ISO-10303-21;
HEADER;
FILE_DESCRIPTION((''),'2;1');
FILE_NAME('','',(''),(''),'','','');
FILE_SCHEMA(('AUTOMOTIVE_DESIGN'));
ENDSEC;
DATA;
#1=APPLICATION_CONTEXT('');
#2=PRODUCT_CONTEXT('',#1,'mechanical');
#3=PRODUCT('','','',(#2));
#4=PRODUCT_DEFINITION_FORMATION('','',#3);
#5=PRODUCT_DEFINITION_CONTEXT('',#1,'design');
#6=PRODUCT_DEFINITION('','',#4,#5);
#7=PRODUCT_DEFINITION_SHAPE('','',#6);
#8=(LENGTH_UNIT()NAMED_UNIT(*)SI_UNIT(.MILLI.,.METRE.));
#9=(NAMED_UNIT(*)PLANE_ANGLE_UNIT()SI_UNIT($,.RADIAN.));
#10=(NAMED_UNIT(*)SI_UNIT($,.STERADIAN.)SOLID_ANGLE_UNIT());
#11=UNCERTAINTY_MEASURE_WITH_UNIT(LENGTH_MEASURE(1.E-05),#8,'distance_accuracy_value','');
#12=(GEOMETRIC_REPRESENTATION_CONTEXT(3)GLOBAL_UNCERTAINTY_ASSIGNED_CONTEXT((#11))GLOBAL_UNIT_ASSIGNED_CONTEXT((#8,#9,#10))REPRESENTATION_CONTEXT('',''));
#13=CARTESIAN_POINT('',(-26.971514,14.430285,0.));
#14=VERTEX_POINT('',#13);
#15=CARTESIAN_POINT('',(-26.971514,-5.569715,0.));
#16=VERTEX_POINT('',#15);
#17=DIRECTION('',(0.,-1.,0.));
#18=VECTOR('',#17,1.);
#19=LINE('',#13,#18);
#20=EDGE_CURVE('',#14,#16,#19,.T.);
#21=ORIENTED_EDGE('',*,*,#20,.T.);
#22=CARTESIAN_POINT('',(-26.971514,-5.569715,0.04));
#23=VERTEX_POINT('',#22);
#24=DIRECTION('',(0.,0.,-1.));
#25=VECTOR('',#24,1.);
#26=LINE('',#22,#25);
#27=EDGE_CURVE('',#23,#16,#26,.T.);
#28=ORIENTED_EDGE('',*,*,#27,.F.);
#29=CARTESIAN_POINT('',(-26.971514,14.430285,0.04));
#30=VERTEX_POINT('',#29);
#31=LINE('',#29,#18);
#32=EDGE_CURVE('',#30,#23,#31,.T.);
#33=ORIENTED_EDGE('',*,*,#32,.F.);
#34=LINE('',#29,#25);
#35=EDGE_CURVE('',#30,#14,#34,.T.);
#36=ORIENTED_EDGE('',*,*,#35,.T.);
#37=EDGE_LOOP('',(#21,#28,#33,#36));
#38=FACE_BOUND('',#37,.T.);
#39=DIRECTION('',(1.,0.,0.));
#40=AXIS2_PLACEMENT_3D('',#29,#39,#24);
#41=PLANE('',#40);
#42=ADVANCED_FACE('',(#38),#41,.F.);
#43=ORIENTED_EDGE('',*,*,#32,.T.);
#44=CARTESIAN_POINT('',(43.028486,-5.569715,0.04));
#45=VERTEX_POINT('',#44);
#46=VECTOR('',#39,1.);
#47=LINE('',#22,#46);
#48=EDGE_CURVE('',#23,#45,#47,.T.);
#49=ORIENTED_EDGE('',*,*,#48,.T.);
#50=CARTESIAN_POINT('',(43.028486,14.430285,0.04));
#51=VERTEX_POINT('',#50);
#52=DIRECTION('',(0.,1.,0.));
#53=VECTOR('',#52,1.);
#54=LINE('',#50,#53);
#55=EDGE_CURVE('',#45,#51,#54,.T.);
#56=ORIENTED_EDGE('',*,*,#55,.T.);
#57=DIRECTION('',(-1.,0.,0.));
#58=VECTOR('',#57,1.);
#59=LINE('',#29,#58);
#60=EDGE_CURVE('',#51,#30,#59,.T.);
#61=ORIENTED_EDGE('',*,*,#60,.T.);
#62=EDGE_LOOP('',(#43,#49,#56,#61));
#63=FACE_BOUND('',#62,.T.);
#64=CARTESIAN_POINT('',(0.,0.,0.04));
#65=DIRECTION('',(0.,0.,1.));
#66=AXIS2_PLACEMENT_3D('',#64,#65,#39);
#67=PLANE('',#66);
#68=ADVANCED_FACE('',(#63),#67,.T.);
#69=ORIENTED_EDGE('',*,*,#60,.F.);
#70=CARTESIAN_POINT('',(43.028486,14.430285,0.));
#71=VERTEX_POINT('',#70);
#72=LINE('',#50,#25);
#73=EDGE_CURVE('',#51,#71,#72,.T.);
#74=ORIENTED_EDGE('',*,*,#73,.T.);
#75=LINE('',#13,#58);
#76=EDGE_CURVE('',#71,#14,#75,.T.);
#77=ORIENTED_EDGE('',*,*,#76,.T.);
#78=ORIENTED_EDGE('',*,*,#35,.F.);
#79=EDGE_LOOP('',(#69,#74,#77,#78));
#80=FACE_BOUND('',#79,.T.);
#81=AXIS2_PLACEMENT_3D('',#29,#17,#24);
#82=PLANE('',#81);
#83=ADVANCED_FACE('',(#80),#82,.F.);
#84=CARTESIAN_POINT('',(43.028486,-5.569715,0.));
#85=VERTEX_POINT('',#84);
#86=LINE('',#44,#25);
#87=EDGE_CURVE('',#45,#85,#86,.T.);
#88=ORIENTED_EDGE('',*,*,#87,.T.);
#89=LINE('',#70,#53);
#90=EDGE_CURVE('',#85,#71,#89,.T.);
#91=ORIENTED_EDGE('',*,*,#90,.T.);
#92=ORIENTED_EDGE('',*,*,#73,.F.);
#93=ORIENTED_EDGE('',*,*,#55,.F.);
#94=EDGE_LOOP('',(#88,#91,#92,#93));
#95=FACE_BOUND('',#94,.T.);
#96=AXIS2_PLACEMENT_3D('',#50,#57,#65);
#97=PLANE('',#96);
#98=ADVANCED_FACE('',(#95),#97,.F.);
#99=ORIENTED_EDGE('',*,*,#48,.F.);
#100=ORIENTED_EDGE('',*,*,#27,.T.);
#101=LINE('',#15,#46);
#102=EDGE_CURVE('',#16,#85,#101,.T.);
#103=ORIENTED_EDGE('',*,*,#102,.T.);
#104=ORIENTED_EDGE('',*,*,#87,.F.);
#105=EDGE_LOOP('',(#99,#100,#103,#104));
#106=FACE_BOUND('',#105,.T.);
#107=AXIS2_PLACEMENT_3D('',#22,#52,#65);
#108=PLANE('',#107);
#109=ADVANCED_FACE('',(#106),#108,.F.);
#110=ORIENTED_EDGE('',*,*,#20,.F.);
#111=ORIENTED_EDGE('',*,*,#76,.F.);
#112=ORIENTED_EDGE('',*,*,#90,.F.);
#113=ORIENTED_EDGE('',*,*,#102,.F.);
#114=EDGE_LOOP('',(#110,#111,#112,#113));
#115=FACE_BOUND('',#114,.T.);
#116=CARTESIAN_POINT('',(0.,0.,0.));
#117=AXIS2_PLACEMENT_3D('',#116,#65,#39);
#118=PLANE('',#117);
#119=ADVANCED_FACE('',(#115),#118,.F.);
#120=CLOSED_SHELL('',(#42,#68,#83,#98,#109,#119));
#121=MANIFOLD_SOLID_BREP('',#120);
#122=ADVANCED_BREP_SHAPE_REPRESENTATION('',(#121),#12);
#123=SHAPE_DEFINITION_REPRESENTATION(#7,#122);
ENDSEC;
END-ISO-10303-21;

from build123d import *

# Parameters (mm, degrees)
SKETCH1_W           = 70
SKETCH1_H           = 20
BOSS_EXTRUDE1_DEPTH = 0.04


with BuildPart() as part:
    # Sketch1 → Boss-Extrude1 (new body)
    with BuildSketch(Plane.XY):
        with Locations((8.028485757, 4.430284858)):
            Rectangle(SKETCH1_W, SKETCH1_H)
    extrude(amount=BOSS_EXTRUDE1_DEPTH)


solid = part.part
